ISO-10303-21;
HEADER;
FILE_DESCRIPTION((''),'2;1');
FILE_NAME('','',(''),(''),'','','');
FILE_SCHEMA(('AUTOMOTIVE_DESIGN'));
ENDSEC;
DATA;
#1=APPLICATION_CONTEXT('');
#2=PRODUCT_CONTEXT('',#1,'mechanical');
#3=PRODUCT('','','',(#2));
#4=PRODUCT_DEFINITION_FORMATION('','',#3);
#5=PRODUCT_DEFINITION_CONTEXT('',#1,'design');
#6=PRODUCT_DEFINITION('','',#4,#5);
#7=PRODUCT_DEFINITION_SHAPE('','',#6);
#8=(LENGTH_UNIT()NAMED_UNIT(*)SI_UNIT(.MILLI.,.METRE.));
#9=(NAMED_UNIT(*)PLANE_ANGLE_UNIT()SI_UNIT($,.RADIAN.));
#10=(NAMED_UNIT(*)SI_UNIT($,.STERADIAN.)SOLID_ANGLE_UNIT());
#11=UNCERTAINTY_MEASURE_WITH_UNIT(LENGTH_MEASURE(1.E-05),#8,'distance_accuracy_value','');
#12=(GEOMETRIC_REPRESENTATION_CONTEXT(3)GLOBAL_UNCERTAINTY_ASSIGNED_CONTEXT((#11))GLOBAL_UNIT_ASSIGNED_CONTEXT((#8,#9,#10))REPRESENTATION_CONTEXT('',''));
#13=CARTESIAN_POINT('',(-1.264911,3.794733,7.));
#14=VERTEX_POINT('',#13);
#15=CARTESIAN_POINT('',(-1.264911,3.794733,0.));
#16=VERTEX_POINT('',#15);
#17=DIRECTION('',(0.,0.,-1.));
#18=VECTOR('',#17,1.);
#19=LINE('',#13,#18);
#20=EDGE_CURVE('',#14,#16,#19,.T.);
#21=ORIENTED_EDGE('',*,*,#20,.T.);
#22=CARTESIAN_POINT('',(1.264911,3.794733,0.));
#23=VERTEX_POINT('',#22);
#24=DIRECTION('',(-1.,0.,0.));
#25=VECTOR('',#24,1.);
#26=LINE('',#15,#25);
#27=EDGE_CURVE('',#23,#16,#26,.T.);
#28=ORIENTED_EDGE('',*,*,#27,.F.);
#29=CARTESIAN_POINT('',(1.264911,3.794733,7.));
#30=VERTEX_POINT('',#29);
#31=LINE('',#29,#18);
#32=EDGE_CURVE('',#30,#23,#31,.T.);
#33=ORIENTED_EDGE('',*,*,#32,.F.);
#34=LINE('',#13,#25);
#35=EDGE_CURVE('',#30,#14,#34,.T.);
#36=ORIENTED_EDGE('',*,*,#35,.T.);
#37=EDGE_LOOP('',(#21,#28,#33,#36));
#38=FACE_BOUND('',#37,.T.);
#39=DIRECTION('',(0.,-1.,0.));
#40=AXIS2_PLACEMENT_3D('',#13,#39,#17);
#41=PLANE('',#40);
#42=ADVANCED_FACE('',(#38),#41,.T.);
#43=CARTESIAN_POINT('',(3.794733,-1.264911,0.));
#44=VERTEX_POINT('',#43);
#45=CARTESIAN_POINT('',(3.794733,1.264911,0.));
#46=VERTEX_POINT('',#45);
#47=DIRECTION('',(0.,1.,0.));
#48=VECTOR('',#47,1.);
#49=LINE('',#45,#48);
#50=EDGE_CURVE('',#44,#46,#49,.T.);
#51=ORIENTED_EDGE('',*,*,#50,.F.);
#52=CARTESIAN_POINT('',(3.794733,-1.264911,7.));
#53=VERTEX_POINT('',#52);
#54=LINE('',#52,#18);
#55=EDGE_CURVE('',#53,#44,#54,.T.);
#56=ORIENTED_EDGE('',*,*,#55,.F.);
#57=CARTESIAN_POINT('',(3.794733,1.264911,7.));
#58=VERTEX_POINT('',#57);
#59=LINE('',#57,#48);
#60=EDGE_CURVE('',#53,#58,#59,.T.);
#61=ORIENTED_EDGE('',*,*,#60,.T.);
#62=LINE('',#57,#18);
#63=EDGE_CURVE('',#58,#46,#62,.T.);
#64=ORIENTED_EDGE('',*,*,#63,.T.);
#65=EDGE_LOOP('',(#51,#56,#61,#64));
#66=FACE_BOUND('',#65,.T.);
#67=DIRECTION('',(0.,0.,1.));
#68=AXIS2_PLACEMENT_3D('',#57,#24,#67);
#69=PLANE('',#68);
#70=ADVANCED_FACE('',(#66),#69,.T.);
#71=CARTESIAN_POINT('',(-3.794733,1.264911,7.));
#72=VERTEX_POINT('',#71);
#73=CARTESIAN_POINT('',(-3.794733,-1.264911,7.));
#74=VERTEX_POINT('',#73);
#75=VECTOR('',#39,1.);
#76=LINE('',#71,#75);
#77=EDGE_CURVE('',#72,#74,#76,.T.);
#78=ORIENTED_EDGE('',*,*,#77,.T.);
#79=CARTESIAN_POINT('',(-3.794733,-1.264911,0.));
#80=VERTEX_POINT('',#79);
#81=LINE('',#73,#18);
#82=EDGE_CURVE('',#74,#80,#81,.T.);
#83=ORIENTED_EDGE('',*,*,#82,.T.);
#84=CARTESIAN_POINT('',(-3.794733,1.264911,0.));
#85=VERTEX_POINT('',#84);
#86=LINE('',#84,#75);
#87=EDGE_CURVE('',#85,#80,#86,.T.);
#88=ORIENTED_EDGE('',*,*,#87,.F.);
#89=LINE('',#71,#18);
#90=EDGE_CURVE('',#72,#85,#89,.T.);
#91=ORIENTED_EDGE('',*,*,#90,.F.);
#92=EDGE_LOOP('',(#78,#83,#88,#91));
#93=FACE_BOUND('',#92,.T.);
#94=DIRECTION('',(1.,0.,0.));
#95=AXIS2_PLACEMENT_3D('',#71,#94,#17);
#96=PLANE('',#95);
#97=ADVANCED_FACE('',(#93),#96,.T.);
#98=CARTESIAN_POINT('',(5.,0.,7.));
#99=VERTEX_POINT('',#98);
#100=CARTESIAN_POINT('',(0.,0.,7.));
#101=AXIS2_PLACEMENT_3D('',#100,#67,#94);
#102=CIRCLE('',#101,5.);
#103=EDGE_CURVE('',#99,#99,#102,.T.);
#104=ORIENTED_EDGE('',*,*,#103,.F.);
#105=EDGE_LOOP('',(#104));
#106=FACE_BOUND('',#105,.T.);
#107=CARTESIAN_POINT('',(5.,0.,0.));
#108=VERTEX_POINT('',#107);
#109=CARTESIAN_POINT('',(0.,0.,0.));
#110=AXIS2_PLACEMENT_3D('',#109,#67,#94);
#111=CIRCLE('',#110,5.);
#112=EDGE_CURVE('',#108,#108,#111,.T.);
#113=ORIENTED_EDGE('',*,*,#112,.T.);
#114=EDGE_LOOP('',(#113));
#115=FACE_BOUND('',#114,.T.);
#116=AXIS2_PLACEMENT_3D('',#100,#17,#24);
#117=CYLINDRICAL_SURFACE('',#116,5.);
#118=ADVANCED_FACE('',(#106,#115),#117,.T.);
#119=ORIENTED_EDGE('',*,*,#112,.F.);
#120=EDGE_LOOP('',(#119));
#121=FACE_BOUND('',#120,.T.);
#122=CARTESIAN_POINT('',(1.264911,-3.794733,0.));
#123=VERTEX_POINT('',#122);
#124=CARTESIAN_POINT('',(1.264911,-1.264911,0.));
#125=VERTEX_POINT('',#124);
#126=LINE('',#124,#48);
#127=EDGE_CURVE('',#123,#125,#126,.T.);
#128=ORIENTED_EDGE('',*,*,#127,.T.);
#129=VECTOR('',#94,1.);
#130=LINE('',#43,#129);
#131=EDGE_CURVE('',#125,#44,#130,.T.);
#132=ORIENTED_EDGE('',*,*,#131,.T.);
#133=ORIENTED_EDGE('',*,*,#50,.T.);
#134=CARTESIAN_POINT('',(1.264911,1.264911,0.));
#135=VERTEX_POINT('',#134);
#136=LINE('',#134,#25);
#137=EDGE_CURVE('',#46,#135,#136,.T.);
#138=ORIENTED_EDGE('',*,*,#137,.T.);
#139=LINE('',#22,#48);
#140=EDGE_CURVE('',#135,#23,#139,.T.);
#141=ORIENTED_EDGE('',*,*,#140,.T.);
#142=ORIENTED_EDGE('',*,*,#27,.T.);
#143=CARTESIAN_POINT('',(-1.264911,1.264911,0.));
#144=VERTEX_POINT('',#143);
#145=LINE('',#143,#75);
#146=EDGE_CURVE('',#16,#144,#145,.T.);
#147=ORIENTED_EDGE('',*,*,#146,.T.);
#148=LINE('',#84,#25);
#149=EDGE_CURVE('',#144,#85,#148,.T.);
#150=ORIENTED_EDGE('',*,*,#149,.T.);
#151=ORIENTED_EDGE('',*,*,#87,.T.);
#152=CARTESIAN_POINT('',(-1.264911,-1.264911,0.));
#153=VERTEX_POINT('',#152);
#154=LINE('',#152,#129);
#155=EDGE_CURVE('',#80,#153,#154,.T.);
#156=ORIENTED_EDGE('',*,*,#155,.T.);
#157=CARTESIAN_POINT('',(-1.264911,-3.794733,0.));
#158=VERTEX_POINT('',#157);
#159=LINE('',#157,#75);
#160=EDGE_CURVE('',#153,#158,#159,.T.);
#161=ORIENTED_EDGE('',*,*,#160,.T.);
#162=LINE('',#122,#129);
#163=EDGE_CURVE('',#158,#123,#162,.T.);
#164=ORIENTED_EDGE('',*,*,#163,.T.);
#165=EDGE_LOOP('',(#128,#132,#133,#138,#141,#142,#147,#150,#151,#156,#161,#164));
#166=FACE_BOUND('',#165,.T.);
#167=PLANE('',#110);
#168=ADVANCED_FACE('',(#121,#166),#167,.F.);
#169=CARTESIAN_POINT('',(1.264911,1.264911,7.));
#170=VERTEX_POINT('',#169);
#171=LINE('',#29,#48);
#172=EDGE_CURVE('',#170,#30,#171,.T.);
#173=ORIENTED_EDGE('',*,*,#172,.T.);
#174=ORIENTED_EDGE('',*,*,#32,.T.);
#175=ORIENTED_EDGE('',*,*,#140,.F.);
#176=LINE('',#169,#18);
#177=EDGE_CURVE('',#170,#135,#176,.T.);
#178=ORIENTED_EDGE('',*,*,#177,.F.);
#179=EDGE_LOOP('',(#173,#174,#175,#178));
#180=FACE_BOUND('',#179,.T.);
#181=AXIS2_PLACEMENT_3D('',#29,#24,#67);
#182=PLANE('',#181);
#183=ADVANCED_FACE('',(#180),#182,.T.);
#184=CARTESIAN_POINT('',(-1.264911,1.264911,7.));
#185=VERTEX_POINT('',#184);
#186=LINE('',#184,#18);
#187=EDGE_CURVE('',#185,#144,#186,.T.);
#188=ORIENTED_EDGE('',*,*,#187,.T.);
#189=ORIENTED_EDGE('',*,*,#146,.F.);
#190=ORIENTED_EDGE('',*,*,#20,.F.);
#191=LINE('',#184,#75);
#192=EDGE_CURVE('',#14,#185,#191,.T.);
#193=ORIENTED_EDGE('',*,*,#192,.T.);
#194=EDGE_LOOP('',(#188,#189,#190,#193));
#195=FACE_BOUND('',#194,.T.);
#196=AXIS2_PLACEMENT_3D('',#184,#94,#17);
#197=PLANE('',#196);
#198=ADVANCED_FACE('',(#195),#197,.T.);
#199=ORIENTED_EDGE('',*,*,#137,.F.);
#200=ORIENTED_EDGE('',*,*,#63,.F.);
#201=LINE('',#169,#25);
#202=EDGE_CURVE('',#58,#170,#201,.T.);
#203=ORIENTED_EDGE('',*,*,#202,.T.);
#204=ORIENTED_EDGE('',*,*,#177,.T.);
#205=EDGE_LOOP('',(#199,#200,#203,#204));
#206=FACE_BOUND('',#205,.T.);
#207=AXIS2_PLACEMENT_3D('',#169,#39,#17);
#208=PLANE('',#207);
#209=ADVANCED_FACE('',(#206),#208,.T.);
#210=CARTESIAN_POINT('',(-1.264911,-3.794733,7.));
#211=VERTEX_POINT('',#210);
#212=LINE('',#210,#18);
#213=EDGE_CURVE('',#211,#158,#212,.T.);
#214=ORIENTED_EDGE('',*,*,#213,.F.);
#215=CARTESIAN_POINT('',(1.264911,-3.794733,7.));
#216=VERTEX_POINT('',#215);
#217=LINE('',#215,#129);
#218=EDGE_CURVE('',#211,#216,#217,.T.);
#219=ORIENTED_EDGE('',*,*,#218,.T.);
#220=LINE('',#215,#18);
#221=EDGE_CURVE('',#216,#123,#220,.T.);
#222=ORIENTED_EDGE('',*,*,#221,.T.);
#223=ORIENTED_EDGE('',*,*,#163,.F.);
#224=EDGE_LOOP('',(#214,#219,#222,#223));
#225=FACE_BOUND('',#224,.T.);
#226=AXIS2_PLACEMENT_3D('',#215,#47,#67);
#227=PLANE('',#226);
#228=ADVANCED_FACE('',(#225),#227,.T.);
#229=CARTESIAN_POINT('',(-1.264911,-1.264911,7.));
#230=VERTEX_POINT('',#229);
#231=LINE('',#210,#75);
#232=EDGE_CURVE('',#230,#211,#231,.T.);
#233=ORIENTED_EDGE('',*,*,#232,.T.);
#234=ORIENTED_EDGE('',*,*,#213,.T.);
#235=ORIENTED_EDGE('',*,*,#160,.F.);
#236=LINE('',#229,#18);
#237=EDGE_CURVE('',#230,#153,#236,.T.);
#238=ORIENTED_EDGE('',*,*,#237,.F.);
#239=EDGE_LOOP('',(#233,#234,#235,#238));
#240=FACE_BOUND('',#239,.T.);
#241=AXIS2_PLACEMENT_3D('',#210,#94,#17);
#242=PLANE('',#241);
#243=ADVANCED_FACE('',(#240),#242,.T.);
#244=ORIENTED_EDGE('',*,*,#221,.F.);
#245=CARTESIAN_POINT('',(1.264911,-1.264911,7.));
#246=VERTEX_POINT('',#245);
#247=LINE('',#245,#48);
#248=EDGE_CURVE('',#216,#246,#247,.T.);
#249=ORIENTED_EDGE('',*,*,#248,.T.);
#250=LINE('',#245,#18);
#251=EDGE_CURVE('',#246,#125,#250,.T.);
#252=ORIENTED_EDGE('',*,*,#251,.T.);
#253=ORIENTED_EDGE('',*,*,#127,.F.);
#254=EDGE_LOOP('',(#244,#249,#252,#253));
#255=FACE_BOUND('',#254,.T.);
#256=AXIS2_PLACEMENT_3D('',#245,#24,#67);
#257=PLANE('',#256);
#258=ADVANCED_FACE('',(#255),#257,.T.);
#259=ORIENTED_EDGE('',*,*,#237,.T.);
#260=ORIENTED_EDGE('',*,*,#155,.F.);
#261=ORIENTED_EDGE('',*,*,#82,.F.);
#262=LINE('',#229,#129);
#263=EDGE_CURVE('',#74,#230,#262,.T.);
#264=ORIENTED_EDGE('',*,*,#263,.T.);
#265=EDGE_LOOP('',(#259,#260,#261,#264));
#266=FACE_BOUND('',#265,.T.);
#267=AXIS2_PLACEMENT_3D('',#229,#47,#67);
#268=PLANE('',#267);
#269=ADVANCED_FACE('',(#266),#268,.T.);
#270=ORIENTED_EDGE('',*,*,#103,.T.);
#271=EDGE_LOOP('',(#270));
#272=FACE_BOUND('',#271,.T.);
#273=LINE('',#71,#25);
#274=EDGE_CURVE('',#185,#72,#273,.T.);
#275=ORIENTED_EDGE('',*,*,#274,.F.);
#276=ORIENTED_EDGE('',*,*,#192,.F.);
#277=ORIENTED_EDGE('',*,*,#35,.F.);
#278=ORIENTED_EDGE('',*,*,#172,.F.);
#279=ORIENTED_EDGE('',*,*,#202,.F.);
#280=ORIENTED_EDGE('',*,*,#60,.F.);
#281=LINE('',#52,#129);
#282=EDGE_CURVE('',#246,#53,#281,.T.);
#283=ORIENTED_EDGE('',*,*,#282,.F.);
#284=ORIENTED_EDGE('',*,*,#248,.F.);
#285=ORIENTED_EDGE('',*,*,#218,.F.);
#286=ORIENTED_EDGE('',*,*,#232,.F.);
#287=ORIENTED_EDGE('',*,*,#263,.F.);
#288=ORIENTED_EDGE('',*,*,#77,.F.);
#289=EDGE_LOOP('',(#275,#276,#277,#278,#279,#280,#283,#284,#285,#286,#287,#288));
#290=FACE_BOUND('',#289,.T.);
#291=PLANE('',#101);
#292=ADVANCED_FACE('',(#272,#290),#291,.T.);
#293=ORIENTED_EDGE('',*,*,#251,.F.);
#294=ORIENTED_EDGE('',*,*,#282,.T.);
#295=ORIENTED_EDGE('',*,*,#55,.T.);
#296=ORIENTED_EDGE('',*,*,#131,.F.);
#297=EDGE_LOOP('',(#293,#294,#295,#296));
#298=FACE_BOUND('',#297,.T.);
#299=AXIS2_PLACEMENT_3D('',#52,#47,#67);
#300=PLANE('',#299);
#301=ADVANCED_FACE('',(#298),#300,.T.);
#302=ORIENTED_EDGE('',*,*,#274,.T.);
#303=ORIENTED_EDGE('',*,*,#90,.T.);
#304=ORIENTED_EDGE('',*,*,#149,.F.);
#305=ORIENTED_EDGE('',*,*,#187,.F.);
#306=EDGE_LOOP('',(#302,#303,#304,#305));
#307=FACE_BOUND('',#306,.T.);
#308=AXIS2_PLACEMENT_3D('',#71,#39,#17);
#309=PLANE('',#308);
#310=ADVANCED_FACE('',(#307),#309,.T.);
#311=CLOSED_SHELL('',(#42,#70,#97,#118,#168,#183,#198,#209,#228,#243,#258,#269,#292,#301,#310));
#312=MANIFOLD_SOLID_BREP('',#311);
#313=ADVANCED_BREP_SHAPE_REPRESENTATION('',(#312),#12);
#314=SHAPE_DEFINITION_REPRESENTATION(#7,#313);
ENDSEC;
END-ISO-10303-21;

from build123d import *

# Parameters (mm, degrees)
SKETCH1_R           = 5
BOSS_EXTRUDE1_DEPTH = 7


with BuildPart() as part:
    # Sketch1 → Boss-Extrude1 (new body)
    with BuildSketch(Plane.XY):
        Circle(SKETCH1_R)
        Polygon((-3.794733192, 1.264911064), (-3.794733192, -1.264911064), (-1.264911064, -1.264911064), (-1.264911064, -3.794733192), (1.264911064, -3.794733192), (1.264911064, -1.264911064), (3.794733192, -1.264911064), (3.794733192, 1.264911064), (1.264911064, 1.264911064), (1.264911064, 3.794733192), (-1.264911064, 3.794733192), (-1.264911064, 1.264911064), align=None, mode=Mode.SUBTRACT)
    extrude(amount=BOSS_EXTRUDE1_DEPTH)


solid = part.part
